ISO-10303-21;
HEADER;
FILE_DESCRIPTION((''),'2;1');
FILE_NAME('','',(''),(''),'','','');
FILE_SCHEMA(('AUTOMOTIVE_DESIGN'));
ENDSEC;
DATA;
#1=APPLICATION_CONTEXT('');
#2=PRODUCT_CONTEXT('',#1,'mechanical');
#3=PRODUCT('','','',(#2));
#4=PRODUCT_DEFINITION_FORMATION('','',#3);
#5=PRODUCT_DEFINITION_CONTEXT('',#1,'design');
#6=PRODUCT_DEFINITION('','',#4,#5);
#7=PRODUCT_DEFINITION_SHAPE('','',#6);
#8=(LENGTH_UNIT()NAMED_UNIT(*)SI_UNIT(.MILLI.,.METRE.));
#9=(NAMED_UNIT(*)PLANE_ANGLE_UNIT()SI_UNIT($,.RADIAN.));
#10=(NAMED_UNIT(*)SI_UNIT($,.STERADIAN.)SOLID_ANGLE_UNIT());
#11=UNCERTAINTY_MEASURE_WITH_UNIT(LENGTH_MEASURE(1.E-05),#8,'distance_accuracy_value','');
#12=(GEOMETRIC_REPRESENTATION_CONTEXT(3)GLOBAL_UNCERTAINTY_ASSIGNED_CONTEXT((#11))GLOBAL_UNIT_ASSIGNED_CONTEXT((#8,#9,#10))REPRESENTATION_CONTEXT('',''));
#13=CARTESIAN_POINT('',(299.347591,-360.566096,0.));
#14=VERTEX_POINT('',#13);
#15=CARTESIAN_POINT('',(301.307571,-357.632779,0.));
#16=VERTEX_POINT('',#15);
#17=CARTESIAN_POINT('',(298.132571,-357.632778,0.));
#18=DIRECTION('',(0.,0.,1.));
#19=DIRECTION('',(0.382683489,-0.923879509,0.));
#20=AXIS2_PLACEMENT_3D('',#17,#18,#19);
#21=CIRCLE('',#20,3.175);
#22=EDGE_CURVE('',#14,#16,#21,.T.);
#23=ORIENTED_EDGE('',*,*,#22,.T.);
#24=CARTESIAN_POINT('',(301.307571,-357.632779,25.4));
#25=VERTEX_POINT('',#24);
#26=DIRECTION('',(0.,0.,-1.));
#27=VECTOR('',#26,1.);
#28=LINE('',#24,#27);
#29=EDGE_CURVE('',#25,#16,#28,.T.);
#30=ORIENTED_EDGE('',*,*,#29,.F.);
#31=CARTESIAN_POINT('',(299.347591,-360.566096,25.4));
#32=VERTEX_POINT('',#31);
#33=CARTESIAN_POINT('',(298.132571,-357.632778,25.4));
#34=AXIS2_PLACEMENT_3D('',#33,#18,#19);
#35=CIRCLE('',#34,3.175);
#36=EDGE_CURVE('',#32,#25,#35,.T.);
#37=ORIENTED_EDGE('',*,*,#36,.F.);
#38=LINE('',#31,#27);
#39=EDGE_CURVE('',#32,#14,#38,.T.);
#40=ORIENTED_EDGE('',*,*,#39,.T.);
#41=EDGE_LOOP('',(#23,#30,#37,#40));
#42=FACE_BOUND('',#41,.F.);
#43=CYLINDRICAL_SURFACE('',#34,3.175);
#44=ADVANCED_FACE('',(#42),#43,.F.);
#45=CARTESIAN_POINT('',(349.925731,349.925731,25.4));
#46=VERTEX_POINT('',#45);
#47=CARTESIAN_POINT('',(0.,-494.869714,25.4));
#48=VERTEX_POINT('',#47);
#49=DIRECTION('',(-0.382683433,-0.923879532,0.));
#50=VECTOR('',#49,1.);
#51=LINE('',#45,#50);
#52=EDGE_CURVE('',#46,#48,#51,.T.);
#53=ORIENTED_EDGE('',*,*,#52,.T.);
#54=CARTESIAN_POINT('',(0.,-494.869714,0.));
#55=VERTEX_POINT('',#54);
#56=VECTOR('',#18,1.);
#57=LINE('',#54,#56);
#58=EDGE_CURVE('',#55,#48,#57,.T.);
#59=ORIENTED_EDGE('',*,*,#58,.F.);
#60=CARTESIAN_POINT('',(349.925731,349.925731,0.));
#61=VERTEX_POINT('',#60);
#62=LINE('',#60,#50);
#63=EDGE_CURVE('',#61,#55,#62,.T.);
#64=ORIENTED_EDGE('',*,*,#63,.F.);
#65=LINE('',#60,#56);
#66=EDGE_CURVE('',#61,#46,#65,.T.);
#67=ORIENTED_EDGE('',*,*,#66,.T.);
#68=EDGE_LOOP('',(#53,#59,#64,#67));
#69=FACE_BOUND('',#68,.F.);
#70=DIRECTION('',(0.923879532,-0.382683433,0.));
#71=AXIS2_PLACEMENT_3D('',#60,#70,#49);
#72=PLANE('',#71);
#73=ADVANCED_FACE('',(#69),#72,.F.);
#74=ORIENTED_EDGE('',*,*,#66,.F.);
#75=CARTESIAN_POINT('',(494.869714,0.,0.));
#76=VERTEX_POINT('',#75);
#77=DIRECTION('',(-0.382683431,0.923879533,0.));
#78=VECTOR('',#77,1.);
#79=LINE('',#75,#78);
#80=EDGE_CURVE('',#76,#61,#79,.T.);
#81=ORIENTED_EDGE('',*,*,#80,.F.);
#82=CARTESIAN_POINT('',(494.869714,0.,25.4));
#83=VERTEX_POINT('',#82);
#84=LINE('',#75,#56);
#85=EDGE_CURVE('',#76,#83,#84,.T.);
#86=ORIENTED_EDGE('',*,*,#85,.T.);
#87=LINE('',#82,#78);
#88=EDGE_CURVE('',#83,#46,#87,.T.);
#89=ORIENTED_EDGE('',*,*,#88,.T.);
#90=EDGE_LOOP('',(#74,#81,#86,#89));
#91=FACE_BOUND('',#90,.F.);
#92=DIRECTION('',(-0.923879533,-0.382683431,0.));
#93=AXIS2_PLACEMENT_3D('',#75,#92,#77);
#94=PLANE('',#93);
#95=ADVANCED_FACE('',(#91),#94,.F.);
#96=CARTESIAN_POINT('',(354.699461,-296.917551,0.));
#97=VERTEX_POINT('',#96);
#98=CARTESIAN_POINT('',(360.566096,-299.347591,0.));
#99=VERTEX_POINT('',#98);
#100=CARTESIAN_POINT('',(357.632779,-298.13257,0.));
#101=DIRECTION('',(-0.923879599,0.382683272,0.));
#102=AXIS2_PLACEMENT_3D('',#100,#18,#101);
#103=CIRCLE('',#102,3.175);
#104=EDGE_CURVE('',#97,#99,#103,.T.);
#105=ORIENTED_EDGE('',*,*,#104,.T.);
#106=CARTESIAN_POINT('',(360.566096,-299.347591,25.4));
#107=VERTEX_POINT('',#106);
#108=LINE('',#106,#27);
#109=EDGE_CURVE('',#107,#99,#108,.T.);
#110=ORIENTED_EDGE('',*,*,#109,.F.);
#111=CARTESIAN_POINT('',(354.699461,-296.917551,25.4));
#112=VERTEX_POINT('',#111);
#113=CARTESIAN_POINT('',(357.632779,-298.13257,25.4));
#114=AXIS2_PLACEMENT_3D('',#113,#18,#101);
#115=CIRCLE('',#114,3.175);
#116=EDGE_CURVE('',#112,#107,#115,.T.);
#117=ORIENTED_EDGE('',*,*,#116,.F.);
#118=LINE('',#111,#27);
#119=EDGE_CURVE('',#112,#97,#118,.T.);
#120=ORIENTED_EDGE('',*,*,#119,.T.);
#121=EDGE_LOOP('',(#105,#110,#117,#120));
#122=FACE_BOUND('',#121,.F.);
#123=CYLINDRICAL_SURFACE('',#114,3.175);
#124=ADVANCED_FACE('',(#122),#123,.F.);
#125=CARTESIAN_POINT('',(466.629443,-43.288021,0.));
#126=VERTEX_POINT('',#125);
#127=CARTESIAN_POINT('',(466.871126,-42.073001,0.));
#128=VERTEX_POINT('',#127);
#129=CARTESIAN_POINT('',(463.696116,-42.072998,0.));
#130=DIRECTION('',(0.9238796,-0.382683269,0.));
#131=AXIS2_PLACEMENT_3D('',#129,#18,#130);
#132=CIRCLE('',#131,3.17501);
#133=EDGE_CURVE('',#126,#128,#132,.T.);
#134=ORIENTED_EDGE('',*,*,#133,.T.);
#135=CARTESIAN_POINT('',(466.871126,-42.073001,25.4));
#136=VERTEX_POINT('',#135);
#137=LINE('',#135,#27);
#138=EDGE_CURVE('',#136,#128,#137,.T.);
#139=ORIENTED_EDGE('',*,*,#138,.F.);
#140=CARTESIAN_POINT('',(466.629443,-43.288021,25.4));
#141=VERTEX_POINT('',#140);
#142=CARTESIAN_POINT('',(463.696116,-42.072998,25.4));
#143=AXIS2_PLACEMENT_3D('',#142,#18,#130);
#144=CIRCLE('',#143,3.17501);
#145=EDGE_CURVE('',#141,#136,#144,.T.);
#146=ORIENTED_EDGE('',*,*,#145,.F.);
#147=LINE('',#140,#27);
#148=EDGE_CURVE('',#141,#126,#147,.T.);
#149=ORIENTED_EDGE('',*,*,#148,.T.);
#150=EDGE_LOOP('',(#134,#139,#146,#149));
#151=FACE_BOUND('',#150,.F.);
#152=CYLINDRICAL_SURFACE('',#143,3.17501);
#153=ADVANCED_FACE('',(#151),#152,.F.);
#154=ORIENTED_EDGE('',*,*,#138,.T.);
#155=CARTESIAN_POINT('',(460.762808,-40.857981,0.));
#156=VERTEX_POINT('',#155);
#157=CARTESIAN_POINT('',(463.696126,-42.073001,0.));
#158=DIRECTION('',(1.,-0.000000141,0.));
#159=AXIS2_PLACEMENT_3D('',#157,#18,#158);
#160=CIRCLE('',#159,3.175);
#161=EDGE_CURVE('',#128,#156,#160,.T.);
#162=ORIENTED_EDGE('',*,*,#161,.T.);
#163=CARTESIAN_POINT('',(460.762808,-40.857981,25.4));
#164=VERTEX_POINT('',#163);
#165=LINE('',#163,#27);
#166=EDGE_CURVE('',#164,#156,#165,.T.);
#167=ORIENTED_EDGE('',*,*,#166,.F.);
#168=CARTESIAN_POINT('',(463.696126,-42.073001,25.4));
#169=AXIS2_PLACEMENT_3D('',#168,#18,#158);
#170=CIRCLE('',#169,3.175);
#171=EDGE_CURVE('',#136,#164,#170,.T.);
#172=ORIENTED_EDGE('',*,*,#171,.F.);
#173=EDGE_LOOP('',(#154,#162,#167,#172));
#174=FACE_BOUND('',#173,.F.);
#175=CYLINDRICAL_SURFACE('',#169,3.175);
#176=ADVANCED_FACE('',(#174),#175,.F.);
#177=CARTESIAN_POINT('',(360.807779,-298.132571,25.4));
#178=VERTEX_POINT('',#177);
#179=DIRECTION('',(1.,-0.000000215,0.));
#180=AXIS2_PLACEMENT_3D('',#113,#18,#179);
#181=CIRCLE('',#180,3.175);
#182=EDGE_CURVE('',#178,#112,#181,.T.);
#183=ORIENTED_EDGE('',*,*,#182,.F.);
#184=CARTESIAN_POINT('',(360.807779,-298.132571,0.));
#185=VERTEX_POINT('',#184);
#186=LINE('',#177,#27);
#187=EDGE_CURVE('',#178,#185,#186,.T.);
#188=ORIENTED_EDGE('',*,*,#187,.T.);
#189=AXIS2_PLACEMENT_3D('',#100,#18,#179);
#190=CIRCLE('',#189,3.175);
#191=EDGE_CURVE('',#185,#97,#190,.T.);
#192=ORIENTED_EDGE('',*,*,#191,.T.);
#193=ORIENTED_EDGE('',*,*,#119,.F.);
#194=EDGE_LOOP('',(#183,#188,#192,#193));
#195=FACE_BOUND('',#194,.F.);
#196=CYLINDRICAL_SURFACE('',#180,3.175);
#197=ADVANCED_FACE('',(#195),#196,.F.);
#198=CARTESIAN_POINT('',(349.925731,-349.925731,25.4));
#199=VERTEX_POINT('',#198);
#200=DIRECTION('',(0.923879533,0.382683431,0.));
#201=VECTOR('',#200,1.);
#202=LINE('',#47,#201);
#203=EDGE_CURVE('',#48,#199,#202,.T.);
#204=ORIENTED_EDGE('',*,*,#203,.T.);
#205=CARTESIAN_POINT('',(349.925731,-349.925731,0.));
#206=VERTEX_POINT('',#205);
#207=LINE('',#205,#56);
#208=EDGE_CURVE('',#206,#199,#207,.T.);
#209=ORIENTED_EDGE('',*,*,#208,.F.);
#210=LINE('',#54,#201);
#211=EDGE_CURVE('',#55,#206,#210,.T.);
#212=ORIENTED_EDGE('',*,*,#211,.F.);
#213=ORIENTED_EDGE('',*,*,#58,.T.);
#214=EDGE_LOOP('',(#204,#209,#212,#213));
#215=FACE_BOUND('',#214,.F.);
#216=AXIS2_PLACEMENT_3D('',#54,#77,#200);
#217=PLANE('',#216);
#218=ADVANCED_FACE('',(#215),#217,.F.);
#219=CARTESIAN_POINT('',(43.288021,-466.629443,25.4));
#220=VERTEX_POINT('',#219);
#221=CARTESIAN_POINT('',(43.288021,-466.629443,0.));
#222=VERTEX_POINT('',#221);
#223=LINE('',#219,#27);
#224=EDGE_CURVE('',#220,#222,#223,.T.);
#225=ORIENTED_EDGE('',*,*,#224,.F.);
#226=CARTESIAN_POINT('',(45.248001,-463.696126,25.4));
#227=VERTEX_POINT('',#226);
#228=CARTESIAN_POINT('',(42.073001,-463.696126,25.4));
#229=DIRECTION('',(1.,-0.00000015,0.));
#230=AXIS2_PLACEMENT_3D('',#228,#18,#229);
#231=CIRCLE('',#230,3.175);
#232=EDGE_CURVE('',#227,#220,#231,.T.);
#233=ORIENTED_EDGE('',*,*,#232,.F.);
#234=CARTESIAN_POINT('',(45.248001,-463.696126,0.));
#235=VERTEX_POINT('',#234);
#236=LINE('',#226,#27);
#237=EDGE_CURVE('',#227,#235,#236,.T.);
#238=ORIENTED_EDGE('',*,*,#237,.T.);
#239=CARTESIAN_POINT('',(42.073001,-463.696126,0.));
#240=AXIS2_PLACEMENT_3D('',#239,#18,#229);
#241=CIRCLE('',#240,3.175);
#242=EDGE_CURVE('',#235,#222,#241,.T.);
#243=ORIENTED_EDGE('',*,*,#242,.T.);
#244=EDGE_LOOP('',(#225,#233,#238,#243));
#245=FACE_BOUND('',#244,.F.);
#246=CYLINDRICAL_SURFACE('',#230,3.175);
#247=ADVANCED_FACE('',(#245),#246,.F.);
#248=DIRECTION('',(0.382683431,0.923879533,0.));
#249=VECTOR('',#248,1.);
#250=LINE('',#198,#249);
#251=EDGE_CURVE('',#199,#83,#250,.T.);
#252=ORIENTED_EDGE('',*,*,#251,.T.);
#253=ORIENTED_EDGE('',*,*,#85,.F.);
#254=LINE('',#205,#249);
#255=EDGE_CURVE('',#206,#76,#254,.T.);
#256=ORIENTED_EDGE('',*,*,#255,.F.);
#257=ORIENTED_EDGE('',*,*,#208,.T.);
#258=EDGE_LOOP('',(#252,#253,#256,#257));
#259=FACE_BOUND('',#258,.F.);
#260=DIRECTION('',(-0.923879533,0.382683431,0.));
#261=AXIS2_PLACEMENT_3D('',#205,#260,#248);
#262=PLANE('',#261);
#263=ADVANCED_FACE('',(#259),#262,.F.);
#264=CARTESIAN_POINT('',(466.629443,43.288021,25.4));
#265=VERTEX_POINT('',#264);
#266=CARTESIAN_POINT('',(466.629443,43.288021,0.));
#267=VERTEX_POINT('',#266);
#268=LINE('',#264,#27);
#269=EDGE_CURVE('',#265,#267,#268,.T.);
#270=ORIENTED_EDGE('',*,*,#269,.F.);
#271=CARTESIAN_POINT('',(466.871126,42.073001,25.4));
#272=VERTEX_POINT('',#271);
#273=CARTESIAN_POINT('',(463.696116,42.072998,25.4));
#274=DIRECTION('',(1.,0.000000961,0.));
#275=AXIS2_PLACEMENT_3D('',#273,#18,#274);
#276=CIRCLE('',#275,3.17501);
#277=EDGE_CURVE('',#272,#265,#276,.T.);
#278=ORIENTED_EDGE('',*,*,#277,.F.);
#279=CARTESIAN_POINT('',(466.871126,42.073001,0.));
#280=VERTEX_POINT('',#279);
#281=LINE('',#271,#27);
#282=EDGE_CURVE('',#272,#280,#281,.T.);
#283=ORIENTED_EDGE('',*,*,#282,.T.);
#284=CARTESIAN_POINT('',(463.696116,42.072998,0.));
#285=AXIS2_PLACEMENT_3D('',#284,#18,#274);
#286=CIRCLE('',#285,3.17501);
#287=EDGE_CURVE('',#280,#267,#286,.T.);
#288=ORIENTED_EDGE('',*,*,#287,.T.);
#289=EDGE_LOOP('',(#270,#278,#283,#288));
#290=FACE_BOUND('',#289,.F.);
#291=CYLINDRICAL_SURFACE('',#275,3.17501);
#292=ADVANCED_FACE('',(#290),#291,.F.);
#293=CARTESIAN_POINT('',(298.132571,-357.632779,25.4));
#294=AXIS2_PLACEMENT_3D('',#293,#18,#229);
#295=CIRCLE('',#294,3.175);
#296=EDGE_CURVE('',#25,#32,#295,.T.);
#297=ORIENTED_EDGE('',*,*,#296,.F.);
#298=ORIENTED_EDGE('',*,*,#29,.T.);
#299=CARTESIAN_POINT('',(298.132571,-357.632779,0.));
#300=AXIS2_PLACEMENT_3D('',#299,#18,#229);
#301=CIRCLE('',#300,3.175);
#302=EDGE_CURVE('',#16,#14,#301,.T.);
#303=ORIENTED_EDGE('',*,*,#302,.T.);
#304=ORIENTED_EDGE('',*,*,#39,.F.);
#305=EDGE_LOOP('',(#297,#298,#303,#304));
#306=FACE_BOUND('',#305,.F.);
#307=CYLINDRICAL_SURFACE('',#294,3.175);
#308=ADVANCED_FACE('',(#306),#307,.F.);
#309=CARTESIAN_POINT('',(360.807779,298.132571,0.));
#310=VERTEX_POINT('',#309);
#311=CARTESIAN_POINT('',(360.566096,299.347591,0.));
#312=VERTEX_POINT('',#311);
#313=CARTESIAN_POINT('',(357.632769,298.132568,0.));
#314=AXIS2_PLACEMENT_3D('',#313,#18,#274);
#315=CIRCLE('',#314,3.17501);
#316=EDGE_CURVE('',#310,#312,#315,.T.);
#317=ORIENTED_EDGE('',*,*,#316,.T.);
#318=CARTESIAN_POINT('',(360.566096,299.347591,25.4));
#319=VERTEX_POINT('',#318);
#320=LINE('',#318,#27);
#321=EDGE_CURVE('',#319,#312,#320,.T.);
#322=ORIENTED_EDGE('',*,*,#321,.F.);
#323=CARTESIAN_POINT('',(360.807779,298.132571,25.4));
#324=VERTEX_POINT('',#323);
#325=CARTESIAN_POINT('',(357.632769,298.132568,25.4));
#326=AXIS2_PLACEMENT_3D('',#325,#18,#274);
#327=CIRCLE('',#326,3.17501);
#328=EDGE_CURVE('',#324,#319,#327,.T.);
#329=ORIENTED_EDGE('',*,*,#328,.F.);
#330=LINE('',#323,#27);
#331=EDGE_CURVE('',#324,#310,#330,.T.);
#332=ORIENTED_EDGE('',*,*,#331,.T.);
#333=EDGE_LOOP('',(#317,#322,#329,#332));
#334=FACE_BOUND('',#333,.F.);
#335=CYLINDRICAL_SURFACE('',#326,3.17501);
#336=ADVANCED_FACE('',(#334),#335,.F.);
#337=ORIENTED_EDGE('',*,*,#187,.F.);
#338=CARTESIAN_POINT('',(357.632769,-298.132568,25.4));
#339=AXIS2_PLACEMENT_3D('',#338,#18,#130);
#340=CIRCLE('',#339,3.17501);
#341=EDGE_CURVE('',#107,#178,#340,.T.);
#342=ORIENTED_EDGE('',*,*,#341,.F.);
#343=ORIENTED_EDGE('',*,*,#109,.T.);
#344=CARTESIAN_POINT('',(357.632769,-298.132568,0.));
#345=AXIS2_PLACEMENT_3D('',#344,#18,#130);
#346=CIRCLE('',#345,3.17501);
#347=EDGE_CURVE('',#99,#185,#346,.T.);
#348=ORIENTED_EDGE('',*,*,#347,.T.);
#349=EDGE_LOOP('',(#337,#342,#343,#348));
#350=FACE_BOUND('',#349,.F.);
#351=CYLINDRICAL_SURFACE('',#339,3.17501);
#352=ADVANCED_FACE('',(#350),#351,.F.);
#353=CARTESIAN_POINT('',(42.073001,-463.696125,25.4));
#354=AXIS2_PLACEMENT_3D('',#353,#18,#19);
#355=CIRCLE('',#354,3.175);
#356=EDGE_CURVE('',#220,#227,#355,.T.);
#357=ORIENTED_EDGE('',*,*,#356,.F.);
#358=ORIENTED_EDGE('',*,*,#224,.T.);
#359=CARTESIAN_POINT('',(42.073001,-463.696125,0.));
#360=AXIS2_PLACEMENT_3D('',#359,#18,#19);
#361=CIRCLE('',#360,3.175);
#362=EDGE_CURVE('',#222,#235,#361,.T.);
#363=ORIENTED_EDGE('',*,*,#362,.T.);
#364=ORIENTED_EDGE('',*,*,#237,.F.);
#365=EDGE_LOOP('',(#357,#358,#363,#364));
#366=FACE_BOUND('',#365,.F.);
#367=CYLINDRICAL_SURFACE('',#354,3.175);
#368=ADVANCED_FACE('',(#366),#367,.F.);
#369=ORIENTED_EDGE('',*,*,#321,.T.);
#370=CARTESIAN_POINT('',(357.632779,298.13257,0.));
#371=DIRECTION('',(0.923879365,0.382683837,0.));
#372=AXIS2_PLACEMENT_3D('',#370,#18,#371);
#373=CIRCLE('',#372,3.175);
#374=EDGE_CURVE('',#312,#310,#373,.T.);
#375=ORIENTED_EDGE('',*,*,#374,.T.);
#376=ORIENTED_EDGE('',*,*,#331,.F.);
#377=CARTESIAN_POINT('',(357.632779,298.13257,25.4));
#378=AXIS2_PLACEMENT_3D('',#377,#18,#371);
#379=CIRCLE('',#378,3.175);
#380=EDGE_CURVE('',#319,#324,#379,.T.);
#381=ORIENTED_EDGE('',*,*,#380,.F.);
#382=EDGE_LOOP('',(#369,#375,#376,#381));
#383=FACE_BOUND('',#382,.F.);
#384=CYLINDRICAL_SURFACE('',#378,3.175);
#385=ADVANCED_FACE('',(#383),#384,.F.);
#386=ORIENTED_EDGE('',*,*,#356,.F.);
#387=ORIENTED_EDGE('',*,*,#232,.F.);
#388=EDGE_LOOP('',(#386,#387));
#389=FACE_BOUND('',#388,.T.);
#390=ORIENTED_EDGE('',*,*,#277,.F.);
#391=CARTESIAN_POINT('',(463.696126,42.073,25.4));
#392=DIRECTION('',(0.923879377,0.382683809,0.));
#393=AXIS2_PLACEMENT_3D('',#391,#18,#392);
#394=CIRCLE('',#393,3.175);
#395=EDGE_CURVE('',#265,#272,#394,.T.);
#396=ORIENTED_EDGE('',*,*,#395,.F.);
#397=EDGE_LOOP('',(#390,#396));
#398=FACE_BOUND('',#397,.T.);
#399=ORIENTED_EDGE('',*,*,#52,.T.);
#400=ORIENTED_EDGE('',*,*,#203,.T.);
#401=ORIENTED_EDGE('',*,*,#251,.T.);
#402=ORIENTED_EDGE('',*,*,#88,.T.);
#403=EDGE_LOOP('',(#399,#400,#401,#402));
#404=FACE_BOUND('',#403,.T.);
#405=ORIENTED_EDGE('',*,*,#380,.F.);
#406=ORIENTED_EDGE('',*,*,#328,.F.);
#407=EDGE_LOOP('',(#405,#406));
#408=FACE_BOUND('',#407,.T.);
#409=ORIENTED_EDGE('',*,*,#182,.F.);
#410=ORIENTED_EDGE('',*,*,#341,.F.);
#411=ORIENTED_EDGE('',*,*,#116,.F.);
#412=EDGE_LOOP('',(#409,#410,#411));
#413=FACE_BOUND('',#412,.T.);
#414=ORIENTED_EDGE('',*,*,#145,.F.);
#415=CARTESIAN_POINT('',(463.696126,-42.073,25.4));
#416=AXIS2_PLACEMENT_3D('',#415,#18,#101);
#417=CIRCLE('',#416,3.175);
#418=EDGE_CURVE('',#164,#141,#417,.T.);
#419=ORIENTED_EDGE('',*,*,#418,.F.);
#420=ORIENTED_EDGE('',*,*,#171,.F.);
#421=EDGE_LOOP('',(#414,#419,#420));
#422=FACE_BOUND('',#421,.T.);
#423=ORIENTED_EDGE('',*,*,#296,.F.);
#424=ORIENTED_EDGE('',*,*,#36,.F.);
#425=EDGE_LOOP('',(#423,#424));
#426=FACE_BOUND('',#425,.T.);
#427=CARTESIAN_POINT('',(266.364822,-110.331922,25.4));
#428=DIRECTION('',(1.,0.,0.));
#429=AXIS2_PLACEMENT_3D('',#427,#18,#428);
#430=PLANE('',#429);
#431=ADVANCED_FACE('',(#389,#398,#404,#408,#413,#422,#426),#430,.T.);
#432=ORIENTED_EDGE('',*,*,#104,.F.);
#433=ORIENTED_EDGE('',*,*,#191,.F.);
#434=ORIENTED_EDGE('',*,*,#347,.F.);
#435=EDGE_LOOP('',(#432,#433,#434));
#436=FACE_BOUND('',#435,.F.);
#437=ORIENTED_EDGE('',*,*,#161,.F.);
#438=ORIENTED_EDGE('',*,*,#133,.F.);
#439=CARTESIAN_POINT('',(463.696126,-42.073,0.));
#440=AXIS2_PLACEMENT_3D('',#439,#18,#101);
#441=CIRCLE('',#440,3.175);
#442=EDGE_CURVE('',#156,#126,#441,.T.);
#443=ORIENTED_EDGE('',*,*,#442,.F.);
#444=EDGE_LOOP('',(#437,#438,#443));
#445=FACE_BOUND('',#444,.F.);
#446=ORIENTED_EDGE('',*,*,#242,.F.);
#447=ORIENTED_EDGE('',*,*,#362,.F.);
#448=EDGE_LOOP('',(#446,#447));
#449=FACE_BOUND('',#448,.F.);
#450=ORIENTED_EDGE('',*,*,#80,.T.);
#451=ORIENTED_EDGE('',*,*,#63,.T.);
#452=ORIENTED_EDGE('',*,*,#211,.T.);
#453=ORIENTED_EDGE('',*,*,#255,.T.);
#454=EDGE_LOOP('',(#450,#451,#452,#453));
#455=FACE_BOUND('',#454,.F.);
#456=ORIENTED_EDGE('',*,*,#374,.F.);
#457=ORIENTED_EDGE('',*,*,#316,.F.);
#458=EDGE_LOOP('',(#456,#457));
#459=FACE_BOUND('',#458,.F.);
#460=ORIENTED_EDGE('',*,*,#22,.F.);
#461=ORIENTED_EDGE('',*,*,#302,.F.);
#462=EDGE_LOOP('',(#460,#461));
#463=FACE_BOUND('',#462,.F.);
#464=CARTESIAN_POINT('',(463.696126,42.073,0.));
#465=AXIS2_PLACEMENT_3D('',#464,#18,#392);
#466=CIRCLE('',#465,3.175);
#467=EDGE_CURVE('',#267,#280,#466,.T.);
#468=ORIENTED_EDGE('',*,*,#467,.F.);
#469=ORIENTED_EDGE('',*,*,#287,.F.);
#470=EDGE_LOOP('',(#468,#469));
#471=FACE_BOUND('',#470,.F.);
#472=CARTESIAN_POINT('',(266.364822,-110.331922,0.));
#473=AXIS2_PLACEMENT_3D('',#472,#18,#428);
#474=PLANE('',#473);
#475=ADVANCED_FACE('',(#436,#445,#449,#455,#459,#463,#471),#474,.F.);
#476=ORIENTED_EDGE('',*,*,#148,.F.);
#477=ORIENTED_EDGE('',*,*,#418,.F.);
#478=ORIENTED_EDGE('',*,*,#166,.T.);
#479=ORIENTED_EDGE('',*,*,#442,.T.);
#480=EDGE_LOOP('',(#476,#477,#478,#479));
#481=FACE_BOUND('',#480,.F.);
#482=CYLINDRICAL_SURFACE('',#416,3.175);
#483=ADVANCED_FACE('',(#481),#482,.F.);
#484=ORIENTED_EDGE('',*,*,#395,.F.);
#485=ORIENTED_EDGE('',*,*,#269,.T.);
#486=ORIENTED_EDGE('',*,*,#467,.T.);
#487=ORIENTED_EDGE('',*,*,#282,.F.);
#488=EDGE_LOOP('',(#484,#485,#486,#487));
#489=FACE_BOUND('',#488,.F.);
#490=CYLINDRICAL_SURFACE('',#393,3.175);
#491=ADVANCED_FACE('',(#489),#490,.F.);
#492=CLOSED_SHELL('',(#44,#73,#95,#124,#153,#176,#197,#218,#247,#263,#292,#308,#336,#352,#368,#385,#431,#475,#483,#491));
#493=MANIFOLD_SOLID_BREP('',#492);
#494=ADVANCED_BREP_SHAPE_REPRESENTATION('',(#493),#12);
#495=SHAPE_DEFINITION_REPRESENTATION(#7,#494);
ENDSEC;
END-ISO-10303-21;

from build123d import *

# Parameters (mm, degrees)
F1_DEPTH = 25.4
F3_DEPTH = 25.401


with BuildPart() as f1:
    # F0 (on Top) → F1 (new body)
    with BuildSketch(Plane.XY):
        Polygon((349.925731, -349.925731), (494.869714, 0), (349.925731, 349.925731), (0, -494.869714), align=None)
    extrude(amount=F1_DEPTH)

    # F2 (on face) → F3 (cut, through all)
    with BuildSketch(Plane.XY.offset(25.4)):
        with BuildLine():
            ThreePointArc((43.288021, -466.629443), (44.712917, -465.460061), (45.248001, -463.696126))
            ThreePointArc((45.248001, -463.696126), (39.433085, -461.93219), (43.288021, -466.629443))
        make_face()
        with BuildLine():
            ThreePointArc((299.347591, -360.566096), (300.772487, -359.396714), (301.307571, -357.632779))
            ThreePointArc((301.307571, -357.632779), (295.492655, -355.868843), (299.347591, -360.566096))
        make_face()
        with BuildLine():
            ThreePointArc((360.566096, -299.347591), (360.746772, -298.751982), (360.807779, -298.132571))
            ThreePointArc((360.807779, -298.132571), (358.252191, -295.018577), (354.699461, -296.917551))
            Line((354.699461, -296.917551), (357.632779, -298.132571))
            Line((357.632779, -298.132571), (360.566096, -299.347591))
        make_face()
        with BuildLine():
            Line((357.632779, -298.132571), (354.699461, -296.917551))
            ThreePointArc((354.699461, -296.917551), (356.417759, -301.065888), (360.566096, -299.347591))
            Line((360.566096, -299.347591), (357.632779, -298.132571))
        make_face()
        with BuildLine():
            ThreePointArc((466.629443, -43.288021), (466.810119, -42.692412), (466.871126, -42.073001))
            ThreePointArc((466.871126, -42.073001), (464.315537, -38.959007), (460.762808, -40.857981))
            Line((460.762808, -40.857981), (463.696126, -42.073001))
            Line((463.696126, -42.073001), (466.629443, -43.288021))
        make_face()
        with BuildLine():
            Line((463.696126, -42.073001), (460.762808, -40.857981))
            ThreePointArc((460.762808, -40.857981), (462.481106, -45.006318), (466.629443, -43.288021))
            Line((466.629443, -43.288021), (463.696126, -42.073001))
        make_face()
        with BuildLine():
            ThreePointArc((466.629443, 43.288021), (460.582132, 41.453589), (466.871126, 42.073001))
            ThreePointArc((466.871126, 42.073001), (466.810119, 42.692412), (466.629443, 43.288021))
        make_face()
        with BuildLine():
            ThreePointArc((360.566096, 299.347591), (354.518786, 297.513159), (360.807779, 298.132571))
            ThreePointArc((360.807779, 298.132571), (360.746772, 298.751982), (360.566096, 299.347591))
        make_face()
    extrude(amount=-F3_DEPTH, mode=Mode.SUBTRACT)


solid = f1.part
